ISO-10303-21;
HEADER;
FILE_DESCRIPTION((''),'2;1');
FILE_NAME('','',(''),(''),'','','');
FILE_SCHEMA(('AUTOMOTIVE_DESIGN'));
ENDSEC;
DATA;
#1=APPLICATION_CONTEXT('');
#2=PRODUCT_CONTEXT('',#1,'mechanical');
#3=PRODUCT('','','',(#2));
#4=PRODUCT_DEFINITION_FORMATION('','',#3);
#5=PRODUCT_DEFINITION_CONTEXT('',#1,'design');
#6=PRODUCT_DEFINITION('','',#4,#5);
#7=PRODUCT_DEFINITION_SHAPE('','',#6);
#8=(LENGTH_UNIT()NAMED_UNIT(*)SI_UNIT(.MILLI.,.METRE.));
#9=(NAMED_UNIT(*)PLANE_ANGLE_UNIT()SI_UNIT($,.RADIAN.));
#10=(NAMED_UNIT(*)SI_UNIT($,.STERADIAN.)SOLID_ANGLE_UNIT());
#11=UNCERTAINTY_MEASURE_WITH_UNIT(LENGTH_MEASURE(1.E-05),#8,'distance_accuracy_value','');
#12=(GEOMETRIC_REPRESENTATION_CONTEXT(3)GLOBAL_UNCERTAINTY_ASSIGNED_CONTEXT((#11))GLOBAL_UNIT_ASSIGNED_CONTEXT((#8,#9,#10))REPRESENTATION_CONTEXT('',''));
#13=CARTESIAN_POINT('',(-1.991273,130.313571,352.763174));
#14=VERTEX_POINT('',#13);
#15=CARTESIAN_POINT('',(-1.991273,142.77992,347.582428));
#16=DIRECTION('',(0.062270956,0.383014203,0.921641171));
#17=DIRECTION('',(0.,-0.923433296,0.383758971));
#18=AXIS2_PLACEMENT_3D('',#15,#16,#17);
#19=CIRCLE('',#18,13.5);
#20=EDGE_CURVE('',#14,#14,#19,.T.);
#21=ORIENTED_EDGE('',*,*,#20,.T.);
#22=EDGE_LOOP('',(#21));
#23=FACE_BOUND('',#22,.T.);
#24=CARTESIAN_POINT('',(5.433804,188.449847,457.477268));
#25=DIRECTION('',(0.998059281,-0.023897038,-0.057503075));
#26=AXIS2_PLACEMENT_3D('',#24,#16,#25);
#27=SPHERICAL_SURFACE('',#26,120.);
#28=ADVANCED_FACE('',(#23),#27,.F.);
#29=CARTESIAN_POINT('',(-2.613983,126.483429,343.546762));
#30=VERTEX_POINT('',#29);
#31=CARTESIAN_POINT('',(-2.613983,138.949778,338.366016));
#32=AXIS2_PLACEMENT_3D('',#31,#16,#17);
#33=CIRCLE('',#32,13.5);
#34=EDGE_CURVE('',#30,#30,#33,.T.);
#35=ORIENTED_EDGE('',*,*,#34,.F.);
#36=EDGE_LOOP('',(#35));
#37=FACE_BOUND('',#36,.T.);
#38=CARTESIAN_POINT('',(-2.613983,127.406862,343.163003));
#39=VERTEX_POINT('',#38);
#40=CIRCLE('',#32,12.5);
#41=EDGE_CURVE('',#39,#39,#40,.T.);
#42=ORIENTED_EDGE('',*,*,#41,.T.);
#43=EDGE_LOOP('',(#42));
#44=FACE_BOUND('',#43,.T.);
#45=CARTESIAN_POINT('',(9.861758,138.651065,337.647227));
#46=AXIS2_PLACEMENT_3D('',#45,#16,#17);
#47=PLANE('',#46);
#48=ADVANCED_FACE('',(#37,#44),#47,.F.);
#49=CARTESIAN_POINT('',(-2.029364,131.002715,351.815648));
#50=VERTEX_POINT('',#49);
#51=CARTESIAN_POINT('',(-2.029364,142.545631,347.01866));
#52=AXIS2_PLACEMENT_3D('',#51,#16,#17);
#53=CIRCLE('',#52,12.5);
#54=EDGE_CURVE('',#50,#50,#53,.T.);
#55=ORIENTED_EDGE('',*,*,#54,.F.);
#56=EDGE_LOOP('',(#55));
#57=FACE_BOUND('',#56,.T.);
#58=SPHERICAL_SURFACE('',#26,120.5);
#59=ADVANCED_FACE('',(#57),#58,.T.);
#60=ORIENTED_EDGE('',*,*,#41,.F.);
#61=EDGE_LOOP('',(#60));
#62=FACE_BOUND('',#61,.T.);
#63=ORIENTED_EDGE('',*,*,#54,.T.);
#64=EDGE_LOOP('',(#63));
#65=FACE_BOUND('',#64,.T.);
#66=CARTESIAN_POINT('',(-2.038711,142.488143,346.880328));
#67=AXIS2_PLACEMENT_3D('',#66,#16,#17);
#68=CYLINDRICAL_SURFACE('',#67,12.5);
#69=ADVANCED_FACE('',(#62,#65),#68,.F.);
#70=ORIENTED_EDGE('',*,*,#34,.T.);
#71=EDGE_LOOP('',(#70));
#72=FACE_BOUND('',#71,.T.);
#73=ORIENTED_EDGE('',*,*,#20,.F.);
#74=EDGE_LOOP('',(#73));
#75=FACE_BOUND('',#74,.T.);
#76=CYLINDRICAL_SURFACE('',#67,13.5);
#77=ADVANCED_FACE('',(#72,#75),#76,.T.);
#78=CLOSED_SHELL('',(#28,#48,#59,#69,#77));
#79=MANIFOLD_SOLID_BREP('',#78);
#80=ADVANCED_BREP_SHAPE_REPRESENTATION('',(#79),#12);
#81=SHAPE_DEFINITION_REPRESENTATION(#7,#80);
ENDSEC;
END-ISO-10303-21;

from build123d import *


with BuildPart() as part:
    # Esquisse1 → Révolution1 (revolve)
    with BuildSketch(Plane(origin=(0, -1.422218517, 0.591043356), x_dir=(1, 0, 0), z_dir=(0, -0.9234332960375348, 0.3837589709300026))):
        with BuildLine():
            Line((-2.038710826, 375.00194743), (-2.069846305, 374.50291779))
            ThreePointArc((-2.069846305, 374.50291779), (4.186581866, 374.275515916), (10.446376672, 374.373363052))
            Line((10.446376672, 374.373363052), (9.8617582, 365.003282276))
            Line((9.8617582, 365.003282276), (10.859817481, 364.941011319))
            Line((10.859817481, 364.941011319), (11.482527045, 374.921604127))
            ThreePointArc((11.482527045, 374.921604127), (4.720775585, 374.771179517), (-2.038710826, 375.00194743))
        make_face()
    revolve(axis=Axis((-2.038710826, 142.488142925, 346.880327692), (-0.062270956462349876, -0.38301420252507495, -0.9216411713054843)))


solid = part.part
